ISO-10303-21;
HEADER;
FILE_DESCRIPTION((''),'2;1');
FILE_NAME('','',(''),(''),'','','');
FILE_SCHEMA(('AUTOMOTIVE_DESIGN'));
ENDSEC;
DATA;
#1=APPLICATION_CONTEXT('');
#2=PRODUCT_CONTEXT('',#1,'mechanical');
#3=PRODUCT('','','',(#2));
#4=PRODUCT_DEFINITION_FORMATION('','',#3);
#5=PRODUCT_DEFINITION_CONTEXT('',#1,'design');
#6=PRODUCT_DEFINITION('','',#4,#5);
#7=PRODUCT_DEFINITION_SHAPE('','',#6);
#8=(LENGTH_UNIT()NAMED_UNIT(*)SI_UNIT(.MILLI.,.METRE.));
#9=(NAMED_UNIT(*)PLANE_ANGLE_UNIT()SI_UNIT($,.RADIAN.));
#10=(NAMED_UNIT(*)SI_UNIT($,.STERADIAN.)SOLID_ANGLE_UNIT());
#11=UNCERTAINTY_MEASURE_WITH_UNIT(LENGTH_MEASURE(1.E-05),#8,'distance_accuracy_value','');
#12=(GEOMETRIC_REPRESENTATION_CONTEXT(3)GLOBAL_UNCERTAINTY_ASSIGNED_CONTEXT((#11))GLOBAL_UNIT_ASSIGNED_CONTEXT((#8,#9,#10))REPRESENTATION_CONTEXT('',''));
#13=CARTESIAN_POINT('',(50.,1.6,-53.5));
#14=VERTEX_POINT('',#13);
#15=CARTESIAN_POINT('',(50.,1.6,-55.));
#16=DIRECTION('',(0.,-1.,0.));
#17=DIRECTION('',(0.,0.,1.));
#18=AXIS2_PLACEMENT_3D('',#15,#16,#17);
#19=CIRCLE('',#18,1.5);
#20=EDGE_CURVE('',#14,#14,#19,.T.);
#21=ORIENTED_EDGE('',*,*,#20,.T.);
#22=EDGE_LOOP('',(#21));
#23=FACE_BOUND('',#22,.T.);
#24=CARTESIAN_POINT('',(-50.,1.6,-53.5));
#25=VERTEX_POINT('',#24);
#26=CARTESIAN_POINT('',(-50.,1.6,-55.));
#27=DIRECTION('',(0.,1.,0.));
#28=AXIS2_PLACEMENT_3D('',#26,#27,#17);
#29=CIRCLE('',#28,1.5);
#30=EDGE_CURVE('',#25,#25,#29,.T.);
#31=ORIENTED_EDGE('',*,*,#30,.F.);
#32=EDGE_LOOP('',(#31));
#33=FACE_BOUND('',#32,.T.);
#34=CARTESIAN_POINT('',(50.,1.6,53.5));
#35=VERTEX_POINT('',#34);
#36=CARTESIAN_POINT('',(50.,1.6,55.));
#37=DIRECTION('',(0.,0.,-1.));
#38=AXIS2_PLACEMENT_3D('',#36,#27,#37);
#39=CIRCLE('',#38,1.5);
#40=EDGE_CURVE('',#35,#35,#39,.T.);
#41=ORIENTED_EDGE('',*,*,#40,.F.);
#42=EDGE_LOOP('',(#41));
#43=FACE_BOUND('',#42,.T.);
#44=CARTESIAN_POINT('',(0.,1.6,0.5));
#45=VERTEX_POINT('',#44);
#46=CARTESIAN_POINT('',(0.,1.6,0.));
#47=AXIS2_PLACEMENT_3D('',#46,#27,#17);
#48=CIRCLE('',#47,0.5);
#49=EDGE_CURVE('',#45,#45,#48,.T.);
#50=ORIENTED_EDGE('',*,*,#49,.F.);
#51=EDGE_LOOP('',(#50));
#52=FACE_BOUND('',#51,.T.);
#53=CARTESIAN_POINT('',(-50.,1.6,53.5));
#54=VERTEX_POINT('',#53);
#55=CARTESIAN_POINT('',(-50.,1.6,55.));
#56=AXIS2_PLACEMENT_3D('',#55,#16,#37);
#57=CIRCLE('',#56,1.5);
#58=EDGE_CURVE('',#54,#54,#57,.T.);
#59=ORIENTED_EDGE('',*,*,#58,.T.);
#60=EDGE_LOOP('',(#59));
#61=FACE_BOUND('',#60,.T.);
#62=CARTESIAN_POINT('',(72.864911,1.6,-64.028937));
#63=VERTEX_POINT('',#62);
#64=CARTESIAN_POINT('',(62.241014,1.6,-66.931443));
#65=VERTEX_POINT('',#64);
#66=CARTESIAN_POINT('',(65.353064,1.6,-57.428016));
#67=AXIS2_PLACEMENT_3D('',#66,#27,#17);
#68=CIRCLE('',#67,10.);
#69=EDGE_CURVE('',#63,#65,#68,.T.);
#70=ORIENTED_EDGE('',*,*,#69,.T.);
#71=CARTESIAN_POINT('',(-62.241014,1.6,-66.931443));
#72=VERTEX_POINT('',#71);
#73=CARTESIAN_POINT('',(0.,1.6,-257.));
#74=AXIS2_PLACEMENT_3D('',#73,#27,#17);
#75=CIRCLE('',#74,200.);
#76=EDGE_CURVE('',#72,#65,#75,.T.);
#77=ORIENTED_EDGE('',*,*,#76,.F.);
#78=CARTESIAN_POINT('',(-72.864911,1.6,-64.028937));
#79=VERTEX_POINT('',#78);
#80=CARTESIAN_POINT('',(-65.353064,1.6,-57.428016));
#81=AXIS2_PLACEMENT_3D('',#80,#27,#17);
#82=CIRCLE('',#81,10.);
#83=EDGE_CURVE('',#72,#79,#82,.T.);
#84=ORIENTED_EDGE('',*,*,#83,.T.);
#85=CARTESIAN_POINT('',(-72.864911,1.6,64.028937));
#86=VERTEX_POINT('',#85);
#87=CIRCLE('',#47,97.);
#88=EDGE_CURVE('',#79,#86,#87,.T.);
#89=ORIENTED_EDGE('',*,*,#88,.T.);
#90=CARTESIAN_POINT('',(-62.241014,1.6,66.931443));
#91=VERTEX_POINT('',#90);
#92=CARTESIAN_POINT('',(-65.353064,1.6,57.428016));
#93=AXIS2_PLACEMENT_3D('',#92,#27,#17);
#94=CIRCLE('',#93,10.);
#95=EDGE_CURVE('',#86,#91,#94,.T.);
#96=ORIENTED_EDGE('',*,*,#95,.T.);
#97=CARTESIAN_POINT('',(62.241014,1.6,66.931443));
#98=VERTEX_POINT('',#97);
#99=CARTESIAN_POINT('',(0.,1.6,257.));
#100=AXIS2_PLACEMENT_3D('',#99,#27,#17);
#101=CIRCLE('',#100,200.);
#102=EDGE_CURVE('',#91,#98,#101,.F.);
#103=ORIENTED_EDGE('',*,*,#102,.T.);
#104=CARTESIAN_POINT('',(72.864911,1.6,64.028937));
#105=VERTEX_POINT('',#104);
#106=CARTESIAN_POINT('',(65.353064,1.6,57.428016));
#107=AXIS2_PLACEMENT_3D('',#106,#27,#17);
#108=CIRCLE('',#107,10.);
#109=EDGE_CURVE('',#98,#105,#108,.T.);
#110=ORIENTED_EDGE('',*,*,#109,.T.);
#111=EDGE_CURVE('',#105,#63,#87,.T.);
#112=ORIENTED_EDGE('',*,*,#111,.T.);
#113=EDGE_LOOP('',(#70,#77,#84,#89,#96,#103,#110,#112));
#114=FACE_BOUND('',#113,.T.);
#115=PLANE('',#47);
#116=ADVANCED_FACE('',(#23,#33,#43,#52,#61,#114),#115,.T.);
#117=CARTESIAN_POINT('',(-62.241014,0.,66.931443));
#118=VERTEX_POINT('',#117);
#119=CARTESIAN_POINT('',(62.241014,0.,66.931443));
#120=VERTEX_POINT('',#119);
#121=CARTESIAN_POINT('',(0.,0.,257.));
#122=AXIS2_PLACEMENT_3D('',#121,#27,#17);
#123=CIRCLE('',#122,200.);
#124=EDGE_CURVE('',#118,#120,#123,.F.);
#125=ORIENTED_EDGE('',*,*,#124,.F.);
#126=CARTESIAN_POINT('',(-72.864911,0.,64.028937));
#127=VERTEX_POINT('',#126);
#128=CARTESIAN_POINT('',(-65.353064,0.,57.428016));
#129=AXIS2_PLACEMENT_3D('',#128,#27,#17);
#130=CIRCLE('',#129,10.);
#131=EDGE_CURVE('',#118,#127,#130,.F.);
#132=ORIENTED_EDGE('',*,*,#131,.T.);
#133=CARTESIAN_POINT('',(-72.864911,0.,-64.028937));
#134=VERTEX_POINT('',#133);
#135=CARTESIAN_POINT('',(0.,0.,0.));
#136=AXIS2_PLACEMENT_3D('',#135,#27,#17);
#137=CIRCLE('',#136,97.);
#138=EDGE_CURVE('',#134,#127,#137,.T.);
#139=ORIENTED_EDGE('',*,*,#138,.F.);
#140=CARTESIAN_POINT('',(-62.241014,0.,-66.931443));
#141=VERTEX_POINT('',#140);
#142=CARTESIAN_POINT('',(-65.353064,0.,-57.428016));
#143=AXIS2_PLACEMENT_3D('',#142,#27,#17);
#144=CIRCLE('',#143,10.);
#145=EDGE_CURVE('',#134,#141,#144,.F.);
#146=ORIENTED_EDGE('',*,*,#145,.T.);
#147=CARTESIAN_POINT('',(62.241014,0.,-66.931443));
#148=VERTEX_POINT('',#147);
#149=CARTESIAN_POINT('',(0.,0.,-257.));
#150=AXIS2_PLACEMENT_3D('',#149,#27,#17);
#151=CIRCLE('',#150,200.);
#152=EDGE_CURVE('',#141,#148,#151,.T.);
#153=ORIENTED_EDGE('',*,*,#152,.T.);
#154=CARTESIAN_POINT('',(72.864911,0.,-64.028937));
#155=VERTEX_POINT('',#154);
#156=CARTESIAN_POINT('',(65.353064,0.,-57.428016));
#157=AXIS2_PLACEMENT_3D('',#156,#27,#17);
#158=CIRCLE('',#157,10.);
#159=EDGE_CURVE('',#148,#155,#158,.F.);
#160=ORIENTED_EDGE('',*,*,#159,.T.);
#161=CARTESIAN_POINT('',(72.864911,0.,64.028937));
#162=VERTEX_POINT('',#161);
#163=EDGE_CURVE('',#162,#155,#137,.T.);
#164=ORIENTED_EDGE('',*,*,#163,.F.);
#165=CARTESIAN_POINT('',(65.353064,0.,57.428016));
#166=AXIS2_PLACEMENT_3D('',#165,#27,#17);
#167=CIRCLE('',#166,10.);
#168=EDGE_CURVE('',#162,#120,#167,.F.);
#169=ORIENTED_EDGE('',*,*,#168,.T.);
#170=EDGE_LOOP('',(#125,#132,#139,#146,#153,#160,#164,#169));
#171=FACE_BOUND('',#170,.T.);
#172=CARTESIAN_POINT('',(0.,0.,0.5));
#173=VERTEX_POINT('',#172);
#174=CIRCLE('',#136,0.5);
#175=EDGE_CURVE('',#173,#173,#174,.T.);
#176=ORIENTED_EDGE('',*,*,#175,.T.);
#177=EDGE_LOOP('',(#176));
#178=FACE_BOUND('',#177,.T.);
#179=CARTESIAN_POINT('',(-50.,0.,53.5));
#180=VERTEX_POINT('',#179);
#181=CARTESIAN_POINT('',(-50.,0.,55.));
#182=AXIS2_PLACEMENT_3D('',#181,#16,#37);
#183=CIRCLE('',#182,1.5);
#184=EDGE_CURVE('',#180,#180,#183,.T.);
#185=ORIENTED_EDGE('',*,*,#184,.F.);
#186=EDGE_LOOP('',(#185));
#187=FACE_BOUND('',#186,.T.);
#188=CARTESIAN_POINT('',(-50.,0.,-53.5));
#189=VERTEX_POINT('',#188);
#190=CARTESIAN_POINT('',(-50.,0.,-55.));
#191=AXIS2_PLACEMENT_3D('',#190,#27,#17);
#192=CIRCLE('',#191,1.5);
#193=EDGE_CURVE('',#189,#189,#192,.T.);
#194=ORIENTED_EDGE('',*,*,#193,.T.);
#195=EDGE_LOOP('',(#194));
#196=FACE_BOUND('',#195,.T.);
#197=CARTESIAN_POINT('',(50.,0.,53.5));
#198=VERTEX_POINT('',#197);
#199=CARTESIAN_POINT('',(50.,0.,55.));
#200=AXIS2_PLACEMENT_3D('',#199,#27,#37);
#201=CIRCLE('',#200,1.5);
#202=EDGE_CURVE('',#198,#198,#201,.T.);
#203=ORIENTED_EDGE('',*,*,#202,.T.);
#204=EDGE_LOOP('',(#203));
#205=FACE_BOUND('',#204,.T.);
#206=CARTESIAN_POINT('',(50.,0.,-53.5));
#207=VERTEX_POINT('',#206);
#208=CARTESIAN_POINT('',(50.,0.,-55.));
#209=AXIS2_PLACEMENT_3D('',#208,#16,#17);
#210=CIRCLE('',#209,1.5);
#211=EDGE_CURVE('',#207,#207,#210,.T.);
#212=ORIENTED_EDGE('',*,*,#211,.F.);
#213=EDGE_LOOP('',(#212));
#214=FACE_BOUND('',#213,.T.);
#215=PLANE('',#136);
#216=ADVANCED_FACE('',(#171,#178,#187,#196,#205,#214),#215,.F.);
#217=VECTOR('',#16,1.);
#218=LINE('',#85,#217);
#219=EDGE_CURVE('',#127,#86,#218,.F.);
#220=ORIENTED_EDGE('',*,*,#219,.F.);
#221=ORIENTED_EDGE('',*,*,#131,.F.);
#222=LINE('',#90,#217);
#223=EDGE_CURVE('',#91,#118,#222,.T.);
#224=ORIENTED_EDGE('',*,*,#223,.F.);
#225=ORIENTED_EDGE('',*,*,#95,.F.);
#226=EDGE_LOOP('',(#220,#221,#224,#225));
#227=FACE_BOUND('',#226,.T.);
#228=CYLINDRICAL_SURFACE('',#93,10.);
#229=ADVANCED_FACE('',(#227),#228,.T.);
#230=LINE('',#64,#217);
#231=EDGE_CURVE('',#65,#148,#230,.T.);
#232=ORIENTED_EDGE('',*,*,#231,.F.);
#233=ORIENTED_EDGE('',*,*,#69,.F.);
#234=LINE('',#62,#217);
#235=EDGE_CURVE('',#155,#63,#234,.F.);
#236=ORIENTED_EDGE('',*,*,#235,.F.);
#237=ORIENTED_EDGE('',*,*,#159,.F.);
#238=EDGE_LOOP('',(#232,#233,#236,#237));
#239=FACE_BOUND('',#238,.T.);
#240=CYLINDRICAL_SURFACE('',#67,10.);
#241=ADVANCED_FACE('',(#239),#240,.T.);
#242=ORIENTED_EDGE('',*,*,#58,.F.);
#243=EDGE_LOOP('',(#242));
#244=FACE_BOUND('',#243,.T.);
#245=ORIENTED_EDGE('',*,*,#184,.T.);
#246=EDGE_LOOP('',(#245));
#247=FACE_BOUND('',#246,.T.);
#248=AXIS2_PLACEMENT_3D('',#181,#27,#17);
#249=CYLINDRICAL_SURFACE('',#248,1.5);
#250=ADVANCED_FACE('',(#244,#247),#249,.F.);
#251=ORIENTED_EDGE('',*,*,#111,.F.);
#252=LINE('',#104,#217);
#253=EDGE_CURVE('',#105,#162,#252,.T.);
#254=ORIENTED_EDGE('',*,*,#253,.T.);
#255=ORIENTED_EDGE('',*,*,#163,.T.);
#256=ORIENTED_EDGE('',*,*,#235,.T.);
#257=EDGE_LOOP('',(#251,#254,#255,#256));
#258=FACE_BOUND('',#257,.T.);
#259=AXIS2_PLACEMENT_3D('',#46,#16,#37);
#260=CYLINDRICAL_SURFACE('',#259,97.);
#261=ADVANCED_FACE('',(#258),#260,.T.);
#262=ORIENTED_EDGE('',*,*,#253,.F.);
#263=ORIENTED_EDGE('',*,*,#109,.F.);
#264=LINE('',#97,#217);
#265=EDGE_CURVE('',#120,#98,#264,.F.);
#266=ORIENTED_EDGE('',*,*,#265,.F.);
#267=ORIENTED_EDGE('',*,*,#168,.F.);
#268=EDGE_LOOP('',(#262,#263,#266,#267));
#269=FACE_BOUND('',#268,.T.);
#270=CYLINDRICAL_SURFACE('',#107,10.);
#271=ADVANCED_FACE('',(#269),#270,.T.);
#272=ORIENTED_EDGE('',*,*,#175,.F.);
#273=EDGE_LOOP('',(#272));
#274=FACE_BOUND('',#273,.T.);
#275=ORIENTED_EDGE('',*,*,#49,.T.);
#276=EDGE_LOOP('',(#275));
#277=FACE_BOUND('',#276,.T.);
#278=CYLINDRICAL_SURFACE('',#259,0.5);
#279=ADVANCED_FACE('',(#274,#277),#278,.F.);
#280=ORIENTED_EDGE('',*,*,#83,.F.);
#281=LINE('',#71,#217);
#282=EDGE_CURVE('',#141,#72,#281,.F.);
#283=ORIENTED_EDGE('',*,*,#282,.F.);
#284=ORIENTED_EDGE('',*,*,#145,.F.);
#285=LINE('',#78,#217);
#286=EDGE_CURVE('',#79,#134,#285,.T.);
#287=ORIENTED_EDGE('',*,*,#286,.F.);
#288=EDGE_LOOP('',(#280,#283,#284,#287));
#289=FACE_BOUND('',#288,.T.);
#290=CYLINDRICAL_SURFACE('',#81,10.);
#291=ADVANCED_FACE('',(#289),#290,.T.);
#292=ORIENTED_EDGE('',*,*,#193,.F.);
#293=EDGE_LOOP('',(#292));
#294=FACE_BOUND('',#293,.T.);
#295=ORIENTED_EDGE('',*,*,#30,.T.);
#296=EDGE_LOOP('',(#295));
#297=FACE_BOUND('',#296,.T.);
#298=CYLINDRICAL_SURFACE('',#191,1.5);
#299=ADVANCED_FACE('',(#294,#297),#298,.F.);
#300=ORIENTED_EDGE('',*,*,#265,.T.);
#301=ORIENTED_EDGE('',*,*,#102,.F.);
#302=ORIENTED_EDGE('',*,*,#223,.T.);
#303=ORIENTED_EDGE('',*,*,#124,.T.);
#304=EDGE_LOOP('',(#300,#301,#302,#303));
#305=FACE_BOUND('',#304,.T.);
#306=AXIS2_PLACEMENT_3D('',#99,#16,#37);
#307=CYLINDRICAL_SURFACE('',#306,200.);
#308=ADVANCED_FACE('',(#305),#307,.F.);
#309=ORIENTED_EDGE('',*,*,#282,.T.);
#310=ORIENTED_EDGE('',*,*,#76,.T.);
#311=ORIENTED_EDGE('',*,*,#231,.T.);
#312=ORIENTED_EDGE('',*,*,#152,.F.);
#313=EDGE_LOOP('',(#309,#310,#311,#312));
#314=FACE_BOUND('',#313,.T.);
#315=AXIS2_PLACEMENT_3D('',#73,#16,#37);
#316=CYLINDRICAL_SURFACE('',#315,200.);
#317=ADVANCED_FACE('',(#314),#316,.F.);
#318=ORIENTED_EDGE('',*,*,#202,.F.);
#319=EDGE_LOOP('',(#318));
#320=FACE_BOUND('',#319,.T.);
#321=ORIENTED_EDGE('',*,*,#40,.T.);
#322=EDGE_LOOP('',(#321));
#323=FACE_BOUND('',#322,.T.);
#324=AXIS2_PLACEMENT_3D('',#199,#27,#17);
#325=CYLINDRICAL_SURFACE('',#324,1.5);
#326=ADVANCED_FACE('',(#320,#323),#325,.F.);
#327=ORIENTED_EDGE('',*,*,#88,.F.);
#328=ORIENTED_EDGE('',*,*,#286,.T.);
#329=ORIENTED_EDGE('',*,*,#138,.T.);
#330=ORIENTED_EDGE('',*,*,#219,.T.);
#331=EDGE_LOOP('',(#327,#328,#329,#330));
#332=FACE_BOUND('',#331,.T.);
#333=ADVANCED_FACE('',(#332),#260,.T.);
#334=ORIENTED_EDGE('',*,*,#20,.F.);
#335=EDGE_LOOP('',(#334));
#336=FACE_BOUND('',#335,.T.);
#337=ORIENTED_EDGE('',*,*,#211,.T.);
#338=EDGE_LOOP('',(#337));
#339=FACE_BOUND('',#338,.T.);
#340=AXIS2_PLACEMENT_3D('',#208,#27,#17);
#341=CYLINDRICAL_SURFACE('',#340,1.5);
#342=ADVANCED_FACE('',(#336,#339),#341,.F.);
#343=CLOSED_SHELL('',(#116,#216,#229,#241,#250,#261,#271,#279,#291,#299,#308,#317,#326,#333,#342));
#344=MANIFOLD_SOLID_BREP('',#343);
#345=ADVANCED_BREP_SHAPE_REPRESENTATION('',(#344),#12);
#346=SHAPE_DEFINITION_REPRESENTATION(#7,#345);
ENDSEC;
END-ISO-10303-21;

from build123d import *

# Parameters (mm, degrees)
ESBO_O1_R                 = 0.5
RESSALTO_EXTRUS_O1_DEPTH  = 1.6
FILETE1_R                 = 10
ESBO_O2_R                 = 1.5
CORTE_EXTRUS_O1_DEPTH     = 119.14439181
ESPELHAR2_COPY_1_SKETCH_R = 1.5
ESPELHAR2_COPY_1_DEPTH    = 119.14439181


with BuildPart() as part:
    # Esboço1 → Ressalto-extrusão1 (new body)
    with BuildSketch(Plane(origin=(0, 0, 0), x_dir=(1, 0, 0), z_dir=(0, 1, 0))):
        with BuildLine():
            ThreePointArc((68.191990862, -68.984435798), (89.508723356, -37.378983978), (97, 0))
            ThreePointArc((97, 0), (89.508723356, 37.378983978), (68.191990862, 68.984435798))
            ThreePointArc((68.191990862, 68.984435798), (0, 57), (-68.191990862, 68.984435798))
            ThreePointArc((-68.191990862, 68.984435798), (-97, 0), (-68.191990862, -68.984435798))
            ThreePointArc((-68.191990862, -68.984435798), (0, -57), (68.191990862, -68.984435798))
        make_face()
        with Locations(Location((0, 0, 0), (0, 0, 270))):
            Circle(ESBO_O1_R, mode=Mode.SUBTRACT)
    extrude(amount=RESSALTO_EXTRUS_O1_DEPTH)

    # Filete1
    filete1_edges = [part.edges().sort_by_distance(p)[0] for p in [
        (-68.191990862, 0.8, -68.984435798),
        (68.191990862, 0.8, -68.984435798),
        (68.191990862, 0.8, 68.984435798),
        (-68.191990862, 0.8, 68.984435798),
    ]]
    fillet(filete1_edges, radius=FILETE1_R)

    # Esboço2 → Corte-extrusão1 (cut, through all)
    with BuildSketch(Plane(origin=(0, 1.6, 0), x_dir=(1, 0, 0), z_dir=(0, 1, 0))):
        with Locations(Location((-50, 55, 0), (0, 0, 270))):
            Circle(ESBO_O2_R)
    corte_extrus_o1 = extrude(amount=-CORTE_EXTRUS_O1_DEPTH, mode=Mode.SUBTRACT)

    # Espelhar1: Corte-extrusão1 across plane
    add(corte_extrus_o1.mirror(Plane(origin=(0, 0, 0), x_dir=(0, 0, 1), z_dir=(1, 0, 0))), mode=Mode.SUBTRACT)

    # Espelhar2: Corte-extrusão1 across plane
    add(corte_extrus_o1.mirror(Plane.XY), mode=Mode.SUBTRACT)

    # Espelhar2 copy 1 sketch → Espelhar2 copy 1 (cut, through all)
    with BuildSketch(Plane(origin=(0, 1.6, 0), x_dir=(-1, 0, 0), z_dir=(0, 1, 0))):
        with Locations(Location((-50, 55, 0), (0, 0, 270))):
            Circle(ESPELHAR2_COPY_1_SKETCH_R)
    extrude(amount=-ESPELHAR2_COPY_1_DEPTH, mode=Mode.SUBTRACT)


solid = part.part
